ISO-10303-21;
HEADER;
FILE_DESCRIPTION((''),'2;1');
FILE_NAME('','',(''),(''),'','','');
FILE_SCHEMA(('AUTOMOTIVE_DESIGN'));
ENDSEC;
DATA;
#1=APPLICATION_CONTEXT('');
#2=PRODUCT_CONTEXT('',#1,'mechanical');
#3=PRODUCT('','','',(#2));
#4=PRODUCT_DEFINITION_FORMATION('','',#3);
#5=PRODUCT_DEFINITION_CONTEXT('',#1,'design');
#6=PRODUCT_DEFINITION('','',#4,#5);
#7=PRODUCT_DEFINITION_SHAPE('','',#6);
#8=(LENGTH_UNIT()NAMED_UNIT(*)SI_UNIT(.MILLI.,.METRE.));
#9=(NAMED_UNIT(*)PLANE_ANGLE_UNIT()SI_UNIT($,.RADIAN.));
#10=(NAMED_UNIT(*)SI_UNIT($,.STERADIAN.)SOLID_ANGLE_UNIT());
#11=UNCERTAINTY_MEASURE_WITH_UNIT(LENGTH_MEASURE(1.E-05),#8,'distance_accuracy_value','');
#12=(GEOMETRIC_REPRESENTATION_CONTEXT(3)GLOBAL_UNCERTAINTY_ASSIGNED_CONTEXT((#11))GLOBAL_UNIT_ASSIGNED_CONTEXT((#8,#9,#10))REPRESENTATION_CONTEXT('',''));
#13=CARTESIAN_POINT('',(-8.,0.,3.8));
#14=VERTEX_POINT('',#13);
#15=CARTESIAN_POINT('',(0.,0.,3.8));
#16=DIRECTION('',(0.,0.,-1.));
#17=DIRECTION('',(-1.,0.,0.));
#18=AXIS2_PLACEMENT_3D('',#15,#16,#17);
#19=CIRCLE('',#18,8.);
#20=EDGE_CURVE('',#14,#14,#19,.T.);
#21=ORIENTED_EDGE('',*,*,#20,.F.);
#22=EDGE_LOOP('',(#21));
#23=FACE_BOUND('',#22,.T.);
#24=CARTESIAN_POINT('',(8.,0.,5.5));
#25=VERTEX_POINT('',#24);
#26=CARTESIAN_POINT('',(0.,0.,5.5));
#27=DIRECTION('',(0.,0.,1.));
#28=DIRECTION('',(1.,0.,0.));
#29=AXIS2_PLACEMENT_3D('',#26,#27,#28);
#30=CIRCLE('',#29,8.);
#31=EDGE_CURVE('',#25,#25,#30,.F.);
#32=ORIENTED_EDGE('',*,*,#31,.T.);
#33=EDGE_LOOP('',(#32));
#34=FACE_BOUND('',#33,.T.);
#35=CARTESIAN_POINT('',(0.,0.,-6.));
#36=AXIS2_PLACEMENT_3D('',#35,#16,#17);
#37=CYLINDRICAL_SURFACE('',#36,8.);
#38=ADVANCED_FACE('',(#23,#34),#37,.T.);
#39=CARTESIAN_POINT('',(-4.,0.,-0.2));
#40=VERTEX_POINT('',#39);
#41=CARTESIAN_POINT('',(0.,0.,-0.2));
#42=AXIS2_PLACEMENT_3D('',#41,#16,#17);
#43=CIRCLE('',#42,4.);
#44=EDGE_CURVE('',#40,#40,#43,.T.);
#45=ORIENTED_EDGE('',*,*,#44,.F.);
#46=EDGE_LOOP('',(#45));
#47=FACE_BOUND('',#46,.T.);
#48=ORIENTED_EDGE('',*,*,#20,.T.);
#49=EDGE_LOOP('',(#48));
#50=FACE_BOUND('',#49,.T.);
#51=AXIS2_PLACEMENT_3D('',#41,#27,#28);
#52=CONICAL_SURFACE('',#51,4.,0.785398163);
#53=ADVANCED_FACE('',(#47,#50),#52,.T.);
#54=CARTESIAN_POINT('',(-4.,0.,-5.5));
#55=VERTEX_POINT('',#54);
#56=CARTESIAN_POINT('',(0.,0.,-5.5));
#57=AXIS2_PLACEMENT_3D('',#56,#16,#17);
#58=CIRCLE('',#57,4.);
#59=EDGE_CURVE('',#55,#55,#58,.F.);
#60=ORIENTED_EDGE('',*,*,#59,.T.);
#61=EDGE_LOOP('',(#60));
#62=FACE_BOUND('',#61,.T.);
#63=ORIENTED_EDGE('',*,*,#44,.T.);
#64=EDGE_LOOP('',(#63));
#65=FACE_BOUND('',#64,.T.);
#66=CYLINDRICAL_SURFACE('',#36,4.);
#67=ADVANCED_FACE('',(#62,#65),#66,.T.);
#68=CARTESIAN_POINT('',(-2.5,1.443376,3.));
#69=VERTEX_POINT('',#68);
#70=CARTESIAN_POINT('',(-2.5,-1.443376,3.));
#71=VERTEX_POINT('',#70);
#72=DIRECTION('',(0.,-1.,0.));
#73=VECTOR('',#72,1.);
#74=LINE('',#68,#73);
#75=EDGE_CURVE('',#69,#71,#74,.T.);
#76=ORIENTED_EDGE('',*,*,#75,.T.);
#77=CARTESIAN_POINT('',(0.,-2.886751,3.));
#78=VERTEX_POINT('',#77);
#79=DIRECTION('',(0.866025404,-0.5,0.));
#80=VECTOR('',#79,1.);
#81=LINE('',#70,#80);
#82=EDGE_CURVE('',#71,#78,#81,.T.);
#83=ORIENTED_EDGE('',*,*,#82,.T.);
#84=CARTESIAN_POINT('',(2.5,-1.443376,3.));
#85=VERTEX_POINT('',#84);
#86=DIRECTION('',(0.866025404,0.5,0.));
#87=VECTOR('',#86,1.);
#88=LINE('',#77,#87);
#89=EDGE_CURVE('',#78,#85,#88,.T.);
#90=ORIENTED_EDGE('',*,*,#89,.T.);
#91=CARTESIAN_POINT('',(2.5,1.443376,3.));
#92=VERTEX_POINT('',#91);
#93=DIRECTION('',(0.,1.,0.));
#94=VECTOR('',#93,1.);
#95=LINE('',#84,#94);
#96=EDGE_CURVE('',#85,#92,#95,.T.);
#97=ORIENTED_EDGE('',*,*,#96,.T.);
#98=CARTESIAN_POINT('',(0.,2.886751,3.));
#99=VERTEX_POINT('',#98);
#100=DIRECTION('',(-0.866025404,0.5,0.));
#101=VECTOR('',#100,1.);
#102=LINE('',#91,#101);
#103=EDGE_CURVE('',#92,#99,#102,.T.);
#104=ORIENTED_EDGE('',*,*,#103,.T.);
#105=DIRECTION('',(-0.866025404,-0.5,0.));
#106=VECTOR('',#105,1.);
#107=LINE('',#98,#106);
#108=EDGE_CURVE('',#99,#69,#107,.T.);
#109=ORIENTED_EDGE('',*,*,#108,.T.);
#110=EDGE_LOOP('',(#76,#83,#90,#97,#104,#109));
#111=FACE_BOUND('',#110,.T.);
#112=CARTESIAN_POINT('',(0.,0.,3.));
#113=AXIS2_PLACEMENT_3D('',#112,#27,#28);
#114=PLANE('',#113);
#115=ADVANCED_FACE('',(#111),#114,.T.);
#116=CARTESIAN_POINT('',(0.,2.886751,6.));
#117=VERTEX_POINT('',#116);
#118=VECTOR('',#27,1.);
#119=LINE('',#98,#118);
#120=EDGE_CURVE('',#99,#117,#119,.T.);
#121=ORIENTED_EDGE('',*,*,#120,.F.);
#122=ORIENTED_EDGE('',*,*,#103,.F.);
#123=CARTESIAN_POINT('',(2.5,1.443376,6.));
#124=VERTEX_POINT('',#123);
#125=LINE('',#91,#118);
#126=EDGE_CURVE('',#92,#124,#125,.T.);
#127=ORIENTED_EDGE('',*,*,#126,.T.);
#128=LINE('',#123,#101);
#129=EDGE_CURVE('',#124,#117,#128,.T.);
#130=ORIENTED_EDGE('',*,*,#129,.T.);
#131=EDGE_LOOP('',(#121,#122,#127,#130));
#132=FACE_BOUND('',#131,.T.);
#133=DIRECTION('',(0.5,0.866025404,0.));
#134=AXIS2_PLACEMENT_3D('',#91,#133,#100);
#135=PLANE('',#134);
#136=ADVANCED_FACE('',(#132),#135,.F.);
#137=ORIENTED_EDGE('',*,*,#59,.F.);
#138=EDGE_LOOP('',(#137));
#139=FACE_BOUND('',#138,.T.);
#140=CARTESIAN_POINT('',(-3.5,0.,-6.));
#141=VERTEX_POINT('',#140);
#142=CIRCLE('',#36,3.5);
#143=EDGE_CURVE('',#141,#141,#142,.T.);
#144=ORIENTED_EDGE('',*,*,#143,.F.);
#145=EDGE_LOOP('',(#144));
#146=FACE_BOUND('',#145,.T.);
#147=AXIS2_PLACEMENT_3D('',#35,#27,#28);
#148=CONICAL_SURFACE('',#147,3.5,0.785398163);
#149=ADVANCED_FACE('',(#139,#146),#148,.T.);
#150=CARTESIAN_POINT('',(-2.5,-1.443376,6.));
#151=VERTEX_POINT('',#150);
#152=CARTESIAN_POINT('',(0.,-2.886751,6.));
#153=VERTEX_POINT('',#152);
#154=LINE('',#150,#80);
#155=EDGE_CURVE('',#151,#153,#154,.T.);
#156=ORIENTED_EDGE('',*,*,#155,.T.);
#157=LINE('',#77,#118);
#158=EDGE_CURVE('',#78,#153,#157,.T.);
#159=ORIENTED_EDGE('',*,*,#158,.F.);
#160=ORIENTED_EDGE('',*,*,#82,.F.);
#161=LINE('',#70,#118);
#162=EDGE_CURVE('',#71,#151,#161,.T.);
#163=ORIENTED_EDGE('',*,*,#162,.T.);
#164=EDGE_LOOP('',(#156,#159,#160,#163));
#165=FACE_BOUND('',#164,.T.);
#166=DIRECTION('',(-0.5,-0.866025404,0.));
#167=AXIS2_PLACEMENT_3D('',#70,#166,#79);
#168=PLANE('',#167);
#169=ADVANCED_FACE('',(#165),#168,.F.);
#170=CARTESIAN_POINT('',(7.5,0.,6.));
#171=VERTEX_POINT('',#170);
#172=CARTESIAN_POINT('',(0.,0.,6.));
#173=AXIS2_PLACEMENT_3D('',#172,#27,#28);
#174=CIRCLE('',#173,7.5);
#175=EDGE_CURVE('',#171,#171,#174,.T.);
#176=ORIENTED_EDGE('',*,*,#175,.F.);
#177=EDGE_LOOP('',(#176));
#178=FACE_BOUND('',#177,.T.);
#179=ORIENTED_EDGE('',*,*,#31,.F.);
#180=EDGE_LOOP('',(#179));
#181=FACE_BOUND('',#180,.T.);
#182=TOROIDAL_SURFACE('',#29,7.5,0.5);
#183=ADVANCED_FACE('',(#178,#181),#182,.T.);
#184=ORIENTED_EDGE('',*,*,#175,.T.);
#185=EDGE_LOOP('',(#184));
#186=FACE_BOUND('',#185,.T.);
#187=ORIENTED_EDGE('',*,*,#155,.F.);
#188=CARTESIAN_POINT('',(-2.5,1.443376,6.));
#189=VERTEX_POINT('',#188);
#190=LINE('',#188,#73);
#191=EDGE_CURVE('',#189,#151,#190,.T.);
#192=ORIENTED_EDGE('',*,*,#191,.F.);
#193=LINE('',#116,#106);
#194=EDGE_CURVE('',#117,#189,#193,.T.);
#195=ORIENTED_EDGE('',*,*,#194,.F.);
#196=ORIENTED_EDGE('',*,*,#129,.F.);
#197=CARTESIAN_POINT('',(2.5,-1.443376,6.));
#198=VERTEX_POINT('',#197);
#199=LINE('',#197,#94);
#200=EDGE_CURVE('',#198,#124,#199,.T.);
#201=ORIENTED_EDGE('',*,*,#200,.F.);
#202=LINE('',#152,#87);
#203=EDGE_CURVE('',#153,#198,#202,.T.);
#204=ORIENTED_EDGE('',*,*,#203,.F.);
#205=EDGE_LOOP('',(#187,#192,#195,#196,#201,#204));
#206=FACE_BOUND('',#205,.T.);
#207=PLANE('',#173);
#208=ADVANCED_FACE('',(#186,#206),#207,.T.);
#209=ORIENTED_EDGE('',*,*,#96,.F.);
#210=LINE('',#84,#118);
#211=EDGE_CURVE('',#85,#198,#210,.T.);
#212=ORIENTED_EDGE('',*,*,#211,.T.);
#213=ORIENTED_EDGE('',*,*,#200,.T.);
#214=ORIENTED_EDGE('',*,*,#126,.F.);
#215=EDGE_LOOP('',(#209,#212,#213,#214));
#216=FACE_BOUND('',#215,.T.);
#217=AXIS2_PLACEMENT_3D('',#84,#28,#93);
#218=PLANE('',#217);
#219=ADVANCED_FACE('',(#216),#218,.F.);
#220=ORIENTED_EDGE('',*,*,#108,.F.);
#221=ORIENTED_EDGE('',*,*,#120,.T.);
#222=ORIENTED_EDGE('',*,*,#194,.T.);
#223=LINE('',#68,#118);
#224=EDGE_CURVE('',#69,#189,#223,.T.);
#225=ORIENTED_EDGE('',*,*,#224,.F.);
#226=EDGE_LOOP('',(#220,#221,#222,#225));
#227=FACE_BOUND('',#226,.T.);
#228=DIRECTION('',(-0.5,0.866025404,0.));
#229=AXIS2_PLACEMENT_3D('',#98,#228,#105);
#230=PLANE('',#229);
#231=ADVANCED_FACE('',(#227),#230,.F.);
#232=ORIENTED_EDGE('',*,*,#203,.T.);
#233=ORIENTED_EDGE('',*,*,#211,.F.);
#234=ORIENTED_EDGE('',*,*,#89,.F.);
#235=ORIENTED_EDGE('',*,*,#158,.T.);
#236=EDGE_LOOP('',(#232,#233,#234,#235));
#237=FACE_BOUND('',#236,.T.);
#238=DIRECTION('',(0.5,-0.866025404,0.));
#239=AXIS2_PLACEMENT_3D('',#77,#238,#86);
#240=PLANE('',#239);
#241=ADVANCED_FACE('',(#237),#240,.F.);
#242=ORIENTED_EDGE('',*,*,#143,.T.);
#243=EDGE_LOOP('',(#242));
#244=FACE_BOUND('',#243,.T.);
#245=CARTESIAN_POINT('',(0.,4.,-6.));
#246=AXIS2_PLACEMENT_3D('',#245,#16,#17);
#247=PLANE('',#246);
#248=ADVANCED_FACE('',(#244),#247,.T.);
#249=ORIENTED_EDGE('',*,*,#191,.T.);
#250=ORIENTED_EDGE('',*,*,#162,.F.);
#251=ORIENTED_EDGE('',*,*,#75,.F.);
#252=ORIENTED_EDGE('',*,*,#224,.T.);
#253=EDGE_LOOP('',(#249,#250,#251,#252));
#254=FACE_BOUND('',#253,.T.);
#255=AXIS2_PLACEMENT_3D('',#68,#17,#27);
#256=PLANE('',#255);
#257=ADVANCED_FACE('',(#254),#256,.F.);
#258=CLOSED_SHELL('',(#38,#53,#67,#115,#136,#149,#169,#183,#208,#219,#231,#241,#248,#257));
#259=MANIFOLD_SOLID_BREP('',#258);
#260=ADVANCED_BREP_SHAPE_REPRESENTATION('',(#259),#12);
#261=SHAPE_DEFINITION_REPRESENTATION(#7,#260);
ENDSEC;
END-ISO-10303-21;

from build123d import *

# Parameters (mm, degrees)
CUT_EXTRUDE_1_DEPTH = 3
FILLET_1_R          = 0.5
CHAMFER_1_SIZE      = 0.5


with BuildPart() as part:
    # 草图1 → 旋转1 (revolve)
    with BuildSketch(Plane(origin=(0, 0, 0), x_dir=(0, 0, -1), z_dir=(1, 0, 0)), mode=Mode.PRIVATE) as revolve_1_sk:
        Polygon((-6, 0), (-6, 8), (-3.8, 8), (0.2, 4), (6, 4), (6, 0), align=None)
    revolve(revolve_1_sk.sketch.rotate(Axis((0, 0, -6), (0, 0, 1)), 90), axis=Axis((0, 0, -6), (0, 0, 1)))

    # 草图2 → 切除-拉伸1 (cut)
    with BuildSketch(Plane.XY.offset(6)):
        Polygon((0, 2.886751346), (-2.5, 1.443375673), (-2.5, -1.443375673), (0, -2.886751346), (2.5, -1.443375673), (2.5, 1.443375673), align=None)
    extrude(amount=-CUT_EXTRUDE_1_DEPTH, mode=Mode.SUBTRACT)

    # 圆角1
    fillet_1_edges = [part.edges().sort_by_distance(p)[0] for p in [
        (8, 0, 6),
    ]]
    fillet(fillet_1_edges, radius=FILLET_1_R)

    # 倒角1
    chamfer_1_edges = [part.edges().sort_by_distance(p)[0] for p in [
        (4, 0, -6),
    ]]
    chamfer(chamfer_1_edges, length=CHAMFER_1_SIZE)


solid = part.part
